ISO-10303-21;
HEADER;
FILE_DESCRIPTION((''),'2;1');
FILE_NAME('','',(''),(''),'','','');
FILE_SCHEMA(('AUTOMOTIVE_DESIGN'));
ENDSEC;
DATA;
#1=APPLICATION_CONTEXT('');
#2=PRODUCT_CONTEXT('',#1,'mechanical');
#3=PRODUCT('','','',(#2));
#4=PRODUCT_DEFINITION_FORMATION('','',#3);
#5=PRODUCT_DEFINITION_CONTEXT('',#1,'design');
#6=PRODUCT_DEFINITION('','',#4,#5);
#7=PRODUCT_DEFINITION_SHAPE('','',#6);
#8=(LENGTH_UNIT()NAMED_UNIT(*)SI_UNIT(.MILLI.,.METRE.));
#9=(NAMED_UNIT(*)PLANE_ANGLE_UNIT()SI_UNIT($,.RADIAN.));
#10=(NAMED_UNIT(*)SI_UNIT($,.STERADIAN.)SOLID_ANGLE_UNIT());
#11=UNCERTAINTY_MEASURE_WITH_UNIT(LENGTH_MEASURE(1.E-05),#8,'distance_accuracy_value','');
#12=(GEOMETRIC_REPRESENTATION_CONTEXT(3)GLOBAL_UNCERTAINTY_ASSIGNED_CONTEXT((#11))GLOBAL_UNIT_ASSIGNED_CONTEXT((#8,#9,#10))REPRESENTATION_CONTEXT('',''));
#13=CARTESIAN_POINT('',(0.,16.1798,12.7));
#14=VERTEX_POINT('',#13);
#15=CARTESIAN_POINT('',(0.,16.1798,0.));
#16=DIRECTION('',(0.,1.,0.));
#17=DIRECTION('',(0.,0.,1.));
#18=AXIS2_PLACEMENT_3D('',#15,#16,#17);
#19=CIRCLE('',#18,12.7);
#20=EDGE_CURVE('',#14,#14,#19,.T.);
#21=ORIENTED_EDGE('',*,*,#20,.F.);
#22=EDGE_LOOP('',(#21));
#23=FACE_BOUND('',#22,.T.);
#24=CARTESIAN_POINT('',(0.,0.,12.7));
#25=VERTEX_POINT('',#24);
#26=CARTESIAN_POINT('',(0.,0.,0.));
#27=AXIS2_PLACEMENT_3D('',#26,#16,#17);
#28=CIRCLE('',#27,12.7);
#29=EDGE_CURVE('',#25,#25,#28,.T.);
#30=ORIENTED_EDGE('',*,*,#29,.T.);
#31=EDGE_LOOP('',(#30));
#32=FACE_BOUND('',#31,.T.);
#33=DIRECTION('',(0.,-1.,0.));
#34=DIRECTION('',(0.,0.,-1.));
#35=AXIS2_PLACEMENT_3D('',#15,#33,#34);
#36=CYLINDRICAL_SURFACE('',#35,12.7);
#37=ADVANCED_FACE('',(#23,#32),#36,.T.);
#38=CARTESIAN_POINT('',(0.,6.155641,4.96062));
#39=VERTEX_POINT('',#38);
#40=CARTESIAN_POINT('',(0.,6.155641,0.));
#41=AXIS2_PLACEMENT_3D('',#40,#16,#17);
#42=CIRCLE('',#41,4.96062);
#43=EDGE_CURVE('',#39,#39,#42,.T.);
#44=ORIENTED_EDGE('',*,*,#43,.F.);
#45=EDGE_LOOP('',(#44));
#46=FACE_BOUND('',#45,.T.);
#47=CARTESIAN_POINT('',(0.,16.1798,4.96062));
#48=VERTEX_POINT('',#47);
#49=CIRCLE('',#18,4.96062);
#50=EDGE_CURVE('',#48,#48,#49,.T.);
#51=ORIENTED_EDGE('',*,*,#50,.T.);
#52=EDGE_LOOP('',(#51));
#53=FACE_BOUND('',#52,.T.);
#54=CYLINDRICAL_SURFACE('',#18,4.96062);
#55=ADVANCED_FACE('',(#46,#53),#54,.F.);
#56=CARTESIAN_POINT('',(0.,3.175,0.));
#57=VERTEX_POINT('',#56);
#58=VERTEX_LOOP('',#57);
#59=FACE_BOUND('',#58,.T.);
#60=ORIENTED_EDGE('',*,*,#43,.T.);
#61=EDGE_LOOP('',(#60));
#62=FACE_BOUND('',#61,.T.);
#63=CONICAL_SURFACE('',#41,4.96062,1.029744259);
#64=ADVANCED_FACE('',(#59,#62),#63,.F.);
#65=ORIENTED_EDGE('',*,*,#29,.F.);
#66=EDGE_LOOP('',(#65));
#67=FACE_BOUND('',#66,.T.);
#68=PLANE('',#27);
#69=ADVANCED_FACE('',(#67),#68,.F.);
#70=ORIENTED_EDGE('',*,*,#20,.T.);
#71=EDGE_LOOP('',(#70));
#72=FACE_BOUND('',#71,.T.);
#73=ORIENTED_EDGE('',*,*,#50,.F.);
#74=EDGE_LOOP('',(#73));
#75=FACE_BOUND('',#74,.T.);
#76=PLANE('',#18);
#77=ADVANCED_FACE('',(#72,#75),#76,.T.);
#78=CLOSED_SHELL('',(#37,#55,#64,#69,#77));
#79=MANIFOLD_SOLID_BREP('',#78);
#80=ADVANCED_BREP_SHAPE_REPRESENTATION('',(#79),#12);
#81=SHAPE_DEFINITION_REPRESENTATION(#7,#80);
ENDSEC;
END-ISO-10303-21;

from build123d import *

# Parameters (mm, degrees)
SKETCH1_R                    = 12.7
BOSS_EXTRUDE1_DEPTH          = 16.1798
F_7_16_20_TAPPED_HOLE1_D     = 9.92124
F_7_16_20_TAPPED_HOLE1_DEPTH = 10.024158796
F_7_16_20_TAPPED_HOLE1_TIP   = 2.980641204


with BuildPart() as part:
    # Sketch1 → Boss-Extrude1 (new body)
    with BuildSketch(Plane(origin=(0, 0, 0), x_dir=(1, 0, 0), z_dir=(0, 1, 0))):
        with Locations(Location((0, 0, 0), (0, 0, 270))):
            Circle(SKETCH1_R)
    extrude(amount=BOSS_EXTRUDE1_DEPTH)

    # 7/16-20 Tapped Hole1
    with Locations(Plane(origin=(0, 16.1798, 0), x_dir=(1, 0, 0), z_dir=(0, 1, 0))):
        with Locations((0, 0)):
            Hole(F_7_16_20_TAPPED_HOLE1_D / 2, depth=F_7_16_20_TAPPED_HOLE1_DEPTH)
            with Locations((0, 0, -(F_7_16_20_TAPPED_HOLE1_DEPTH + F_7_16_20_TAPPED_HOLE1_TIP / 2))):  # 118° drill point
                Cone(0, F_7_16_20_TAPPED_HOLE1_D / 2, F_7_16_20_TAPPED_HOLE1_TIP, mode=Mode.SUBTRACT)


solid = part.part
